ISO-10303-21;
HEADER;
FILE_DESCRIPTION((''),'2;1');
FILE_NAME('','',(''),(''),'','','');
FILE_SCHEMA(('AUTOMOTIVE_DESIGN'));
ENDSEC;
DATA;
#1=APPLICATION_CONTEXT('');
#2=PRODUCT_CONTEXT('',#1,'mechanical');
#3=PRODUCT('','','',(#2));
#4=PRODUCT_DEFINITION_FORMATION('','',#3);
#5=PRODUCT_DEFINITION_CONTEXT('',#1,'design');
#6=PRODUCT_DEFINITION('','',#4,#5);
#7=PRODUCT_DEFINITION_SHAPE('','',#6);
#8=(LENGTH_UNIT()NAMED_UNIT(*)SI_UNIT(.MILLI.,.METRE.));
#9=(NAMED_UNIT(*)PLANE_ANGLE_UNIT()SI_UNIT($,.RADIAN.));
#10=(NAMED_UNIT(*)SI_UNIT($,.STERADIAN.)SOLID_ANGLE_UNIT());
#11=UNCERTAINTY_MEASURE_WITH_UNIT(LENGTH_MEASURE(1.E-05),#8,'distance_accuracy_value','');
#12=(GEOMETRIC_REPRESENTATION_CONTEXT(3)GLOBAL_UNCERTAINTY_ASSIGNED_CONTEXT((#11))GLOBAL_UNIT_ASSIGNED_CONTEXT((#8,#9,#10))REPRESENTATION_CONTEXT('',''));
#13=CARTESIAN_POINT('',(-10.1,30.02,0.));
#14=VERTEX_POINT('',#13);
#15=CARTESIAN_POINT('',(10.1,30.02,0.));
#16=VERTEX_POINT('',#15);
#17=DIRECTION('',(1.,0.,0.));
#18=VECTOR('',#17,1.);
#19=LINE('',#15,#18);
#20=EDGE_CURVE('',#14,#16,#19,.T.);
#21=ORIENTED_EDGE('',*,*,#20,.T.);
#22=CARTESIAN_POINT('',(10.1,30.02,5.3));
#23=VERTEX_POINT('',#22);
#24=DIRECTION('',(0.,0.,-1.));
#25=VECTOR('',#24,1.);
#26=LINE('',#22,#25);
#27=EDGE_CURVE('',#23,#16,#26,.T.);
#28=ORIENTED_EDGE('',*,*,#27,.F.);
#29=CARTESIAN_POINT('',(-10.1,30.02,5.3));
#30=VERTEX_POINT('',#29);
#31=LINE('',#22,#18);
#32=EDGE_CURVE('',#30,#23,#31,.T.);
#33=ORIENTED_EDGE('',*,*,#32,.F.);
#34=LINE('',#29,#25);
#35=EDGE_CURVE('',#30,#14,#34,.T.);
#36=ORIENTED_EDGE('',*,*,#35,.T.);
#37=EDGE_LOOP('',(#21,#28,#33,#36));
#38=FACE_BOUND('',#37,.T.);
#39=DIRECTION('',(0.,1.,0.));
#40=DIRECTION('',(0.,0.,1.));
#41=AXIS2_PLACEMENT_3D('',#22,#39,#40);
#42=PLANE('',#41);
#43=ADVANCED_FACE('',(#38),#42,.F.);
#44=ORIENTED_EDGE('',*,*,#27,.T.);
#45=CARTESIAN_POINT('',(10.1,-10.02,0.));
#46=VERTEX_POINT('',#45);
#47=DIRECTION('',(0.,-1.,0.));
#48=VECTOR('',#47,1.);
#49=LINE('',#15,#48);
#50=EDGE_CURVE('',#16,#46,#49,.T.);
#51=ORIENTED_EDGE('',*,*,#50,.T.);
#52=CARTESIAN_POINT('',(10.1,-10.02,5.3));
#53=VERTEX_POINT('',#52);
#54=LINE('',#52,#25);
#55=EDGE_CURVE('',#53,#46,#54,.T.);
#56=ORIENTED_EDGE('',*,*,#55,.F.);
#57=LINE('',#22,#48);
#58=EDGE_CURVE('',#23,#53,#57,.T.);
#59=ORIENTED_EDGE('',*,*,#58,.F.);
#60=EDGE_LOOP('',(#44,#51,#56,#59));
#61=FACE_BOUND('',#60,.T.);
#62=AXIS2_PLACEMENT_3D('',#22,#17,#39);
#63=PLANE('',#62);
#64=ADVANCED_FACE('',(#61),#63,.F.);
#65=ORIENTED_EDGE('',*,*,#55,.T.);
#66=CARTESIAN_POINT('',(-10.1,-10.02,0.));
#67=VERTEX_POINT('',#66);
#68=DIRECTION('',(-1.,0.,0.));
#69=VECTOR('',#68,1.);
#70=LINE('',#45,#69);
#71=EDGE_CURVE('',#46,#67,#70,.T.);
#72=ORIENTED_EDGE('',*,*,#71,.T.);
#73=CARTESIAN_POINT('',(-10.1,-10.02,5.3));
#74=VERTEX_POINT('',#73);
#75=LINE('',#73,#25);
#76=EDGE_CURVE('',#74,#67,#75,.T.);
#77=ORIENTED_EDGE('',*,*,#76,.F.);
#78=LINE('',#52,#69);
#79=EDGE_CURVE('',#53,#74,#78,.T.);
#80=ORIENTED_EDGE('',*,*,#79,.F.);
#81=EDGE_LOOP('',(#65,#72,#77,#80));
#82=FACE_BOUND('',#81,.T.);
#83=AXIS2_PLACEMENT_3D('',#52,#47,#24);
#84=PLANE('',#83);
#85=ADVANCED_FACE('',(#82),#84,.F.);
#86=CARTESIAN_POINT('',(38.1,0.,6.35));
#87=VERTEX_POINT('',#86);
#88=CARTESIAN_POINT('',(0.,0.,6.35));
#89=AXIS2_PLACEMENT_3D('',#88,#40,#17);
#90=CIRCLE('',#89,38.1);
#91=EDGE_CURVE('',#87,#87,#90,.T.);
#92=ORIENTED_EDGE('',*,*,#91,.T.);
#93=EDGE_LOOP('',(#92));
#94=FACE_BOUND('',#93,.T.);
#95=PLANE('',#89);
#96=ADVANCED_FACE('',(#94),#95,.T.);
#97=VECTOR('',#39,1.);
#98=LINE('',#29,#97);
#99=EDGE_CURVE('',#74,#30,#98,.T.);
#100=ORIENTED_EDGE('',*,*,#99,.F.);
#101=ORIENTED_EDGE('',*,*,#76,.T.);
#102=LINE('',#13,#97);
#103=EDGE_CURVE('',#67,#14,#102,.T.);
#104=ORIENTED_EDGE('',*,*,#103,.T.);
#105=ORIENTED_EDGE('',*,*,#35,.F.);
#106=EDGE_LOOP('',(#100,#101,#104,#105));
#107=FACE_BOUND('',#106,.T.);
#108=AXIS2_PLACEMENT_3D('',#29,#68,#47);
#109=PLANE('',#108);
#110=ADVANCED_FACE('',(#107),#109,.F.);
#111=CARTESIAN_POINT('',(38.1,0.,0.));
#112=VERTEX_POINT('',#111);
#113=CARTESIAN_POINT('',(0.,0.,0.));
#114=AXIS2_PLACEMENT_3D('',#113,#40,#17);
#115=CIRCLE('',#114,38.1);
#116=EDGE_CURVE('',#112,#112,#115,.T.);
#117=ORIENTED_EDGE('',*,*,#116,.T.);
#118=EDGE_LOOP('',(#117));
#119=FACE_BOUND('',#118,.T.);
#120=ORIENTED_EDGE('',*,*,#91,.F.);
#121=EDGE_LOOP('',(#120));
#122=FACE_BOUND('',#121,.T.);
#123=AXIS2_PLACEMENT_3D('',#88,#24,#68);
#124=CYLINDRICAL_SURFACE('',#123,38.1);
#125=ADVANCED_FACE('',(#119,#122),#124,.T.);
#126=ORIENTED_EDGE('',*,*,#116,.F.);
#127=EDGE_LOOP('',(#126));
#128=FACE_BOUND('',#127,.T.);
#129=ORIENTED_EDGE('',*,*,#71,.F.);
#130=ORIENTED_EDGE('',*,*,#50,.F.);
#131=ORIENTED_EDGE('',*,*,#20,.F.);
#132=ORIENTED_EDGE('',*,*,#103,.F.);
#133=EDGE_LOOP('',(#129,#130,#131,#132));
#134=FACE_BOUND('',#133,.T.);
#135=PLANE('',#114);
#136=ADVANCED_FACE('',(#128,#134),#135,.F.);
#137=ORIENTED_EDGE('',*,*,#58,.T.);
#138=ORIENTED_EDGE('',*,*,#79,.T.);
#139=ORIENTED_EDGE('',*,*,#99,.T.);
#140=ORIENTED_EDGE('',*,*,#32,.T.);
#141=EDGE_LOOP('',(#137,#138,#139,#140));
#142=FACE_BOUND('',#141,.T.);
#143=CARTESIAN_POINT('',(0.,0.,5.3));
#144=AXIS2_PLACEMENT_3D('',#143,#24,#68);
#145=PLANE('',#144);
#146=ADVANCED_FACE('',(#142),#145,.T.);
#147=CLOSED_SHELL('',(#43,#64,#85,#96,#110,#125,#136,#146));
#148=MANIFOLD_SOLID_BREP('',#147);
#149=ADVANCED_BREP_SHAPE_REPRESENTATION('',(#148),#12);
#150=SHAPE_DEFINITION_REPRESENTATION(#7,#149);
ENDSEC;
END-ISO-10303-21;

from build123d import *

# Parameters (mm, degrees)
SKETCH1_R           = 38.1
BOSS_EXTRUDE1_DEPTH = 6.35
SKETCH4_W           = 20.2
SKETCH4_H           = 40.04
CUT_EXTRUDE1_DEPTH  = 5.3


with BuildPart() as part:
    # Sketch1 → Boss-Extrude1 (new body)
    with BuildSketch(Plane.XY):
        Circle(SKETCH1_R)
    extrude(amount=BOSS_EXTRUDE1_DEPTH)

    # Sketch4 → Cut-Extrude1 (cut)
    with BuildSketch(Plane(origin=(0, 0, 0), x_dir=(-1, 0, 0), z_dir=(0, 0, -1))):
        with Locations((0, 10)):
            Rectangle(SKETCH4_W, SKETCH4_H)
    extrude(amount=-CUT_EXTRUDE1_DEPTH, mode=Mode.SUBTRACT)


solid = part.part
